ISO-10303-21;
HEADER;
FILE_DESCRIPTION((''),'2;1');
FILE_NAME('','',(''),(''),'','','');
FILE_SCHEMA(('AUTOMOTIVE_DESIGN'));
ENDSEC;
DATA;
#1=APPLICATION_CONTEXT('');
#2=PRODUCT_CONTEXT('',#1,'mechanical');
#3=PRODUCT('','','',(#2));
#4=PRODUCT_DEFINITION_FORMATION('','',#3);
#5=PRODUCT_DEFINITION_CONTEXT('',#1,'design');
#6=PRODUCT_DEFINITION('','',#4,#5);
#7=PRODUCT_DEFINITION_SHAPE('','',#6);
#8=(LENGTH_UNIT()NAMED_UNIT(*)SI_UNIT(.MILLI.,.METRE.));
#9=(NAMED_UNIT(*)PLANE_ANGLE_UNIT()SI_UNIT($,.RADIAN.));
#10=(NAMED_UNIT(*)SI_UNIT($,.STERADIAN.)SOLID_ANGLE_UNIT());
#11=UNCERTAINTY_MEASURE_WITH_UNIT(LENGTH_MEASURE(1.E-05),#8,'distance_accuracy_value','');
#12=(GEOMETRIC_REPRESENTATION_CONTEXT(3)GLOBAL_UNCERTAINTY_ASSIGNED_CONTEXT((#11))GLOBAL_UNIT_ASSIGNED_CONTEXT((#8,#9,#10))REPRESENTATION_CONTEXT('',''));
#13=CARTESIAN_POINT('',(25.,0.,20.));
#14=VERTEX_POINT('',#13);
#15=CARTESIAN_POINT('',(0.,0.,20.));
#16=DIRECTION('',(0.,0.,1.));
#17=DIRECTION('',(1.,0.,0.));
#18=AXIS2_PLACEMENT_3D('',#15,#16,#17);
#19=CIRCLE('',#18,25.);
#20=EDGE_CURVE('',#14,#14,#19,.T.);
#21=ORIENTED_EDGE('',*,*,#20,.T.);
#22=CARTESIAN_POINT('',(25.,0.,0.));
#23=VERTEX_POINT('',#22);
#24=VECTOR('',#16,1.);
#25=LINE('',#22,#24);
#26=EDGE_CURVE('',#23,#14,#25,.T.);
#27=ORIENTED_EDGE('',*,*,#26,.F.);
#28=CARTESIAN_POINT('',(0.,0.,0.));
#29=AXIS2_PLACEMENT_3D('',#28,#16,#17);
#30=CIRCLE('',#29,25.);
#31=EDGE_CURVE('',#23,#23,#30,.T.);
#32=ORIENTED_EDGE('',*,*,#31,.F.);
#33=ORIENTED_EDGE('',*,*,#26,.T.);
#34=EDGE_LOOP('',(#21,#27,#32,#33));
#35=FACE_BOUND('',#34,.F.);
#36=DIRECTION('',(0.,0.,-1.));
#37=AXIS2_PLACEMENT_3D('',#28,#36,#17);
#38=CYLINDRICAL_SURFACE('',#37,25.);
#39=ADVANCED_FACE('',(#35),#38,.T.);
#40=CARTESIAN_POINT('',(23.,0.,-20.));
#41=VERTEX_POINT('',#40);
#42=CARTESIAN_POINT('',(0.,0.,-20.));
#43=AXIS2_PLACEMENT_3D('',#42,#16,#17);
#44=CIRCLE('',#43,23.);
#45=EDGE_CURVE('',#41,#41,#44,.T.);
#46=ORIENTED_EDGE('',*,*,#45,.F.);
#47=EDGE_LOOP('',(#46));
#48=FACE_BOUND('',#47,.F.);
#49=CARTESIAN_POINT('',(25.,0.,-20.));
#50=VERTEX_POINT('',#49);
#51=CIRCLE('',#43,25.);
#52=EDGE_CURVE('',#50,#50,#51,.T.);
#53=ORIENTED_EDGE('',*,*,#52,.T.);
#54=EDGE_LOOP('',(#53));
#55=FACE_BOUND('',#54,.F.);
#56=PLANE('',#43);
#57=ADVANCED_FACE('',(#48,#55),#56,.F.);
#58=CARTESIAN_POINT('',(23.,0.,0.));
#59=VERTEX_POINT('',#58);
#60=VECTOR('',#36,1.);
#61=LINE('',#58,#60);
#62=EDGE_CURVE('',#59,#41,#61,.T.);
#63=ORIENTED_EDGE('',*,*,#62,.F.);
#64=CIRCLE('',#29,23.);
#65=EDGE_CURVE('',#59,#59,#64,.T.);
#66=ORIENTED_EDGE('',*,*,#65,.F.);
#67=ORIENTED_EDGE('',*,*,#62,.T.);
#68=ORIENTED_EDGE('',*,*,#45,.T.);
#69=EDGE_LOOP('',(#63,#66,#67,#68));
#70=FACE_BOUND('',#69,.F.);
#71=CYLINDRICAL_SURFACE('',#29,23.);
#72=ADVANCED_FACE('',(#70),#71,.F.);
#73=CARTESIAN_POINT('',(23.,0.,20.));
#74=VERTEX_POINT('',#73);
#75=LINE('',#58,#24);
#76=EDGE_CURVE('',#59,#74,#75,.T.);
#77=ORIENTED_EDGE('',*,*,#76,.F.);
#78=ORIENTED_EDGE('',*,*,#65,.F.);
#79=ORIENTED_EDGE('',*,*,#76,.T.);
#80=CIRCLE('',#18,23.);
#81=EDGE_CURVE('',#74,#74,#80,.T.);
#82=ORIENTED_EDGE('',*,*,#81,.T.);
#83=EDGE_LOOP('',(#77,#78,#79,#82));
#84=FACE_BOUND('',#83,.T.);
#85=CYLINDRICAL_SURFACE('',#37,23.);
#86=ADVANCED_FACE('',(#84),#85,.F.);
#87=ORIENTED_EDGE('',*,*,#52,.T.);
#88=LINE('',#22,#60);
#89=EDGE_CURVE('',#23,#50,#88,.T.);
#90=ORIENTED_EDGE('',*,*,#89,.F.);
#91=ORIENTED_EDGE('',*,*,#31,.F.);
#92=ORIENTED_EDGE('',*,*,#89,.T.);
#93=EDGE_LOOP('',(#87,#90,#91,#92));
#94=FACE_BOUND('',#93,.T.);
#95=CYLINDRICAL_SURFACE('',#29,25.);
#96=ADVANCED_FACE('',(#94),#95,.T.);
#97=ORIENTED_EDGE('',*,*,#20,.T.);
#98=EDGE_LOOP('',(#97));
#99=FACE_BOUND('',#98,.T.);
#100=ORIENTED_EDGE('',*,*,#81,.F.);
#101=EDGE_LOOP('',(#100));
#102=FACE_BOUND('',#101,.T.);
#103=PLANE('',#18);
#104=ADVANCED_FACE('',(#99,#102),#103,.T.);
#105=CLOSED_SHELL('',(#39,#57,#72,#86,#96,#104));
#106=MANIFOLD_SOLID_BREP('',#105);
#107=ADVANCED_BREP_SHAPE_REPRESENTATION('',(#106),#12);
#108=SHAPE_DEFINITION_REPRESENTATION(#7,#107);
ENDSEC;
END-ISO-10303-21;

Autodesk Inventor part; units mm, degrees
ref_plane "YZ Plane" through (0, 0, 0) normal (1, 0, 0) x (0, 1, 0)
ref_plane "XZ Plane" through (0, 0, 0) normal (0, 1, 0) x (-1, 0, 0)
ref_plane "XY Plane" through (0, 0, 0) normal (0, 0, 1) x (1, 0, 0)
sketch "Sketch1" plane through (0, 0, 0) normal (0, 0, 1) x (1, 0, 0)
  circle A0 centre (0, 0) radius 23
  circle A1 centre (0, 0) radius 25
  dimension "d0" = 46
  dimension "d1" = 50
extrude "Extrusion1" add sketch "Sketch1" along normal mid plane 40
sketch "Sketch2" plane through (0, 0, 0) normal (1, 0, 0) x (0, 1, 0)
  line L0 (25, 17) -> (26.5, 17)
  line L1 (26.5, 17) -> (26.5, 9)
  line L2 (26.5, 9) -> (25, 9)
  line L3 (25, 9) -> (25, 17)
  line L4 (25, -9) -> (26.5, -9)
  line L5 (26.5, -9) -> (26.5, -17)
  line L6 (26.5, -17) -> (25, -17)
  line L7 (25, -17) -> (25, -9)
  line L8 (25, 20) -> (-25, 20) projected
  line L9 (-25, -20) -> (25, -20) projected
  line L10 (0, -28) -> (0, 28) projected
  point P0 (0, 0)
  dimension "d4" = 1.5
  dimension "d5" = 8
  dimension "d6" = 3
  dimension "d7" = 3
  dimension "d8" = 8
revolve "Revolution1" [suppressed]
equation "\"d7\" = d6"
equation "\"d8\" = d5"
properties part number "4082" material "PVC-Piping"
